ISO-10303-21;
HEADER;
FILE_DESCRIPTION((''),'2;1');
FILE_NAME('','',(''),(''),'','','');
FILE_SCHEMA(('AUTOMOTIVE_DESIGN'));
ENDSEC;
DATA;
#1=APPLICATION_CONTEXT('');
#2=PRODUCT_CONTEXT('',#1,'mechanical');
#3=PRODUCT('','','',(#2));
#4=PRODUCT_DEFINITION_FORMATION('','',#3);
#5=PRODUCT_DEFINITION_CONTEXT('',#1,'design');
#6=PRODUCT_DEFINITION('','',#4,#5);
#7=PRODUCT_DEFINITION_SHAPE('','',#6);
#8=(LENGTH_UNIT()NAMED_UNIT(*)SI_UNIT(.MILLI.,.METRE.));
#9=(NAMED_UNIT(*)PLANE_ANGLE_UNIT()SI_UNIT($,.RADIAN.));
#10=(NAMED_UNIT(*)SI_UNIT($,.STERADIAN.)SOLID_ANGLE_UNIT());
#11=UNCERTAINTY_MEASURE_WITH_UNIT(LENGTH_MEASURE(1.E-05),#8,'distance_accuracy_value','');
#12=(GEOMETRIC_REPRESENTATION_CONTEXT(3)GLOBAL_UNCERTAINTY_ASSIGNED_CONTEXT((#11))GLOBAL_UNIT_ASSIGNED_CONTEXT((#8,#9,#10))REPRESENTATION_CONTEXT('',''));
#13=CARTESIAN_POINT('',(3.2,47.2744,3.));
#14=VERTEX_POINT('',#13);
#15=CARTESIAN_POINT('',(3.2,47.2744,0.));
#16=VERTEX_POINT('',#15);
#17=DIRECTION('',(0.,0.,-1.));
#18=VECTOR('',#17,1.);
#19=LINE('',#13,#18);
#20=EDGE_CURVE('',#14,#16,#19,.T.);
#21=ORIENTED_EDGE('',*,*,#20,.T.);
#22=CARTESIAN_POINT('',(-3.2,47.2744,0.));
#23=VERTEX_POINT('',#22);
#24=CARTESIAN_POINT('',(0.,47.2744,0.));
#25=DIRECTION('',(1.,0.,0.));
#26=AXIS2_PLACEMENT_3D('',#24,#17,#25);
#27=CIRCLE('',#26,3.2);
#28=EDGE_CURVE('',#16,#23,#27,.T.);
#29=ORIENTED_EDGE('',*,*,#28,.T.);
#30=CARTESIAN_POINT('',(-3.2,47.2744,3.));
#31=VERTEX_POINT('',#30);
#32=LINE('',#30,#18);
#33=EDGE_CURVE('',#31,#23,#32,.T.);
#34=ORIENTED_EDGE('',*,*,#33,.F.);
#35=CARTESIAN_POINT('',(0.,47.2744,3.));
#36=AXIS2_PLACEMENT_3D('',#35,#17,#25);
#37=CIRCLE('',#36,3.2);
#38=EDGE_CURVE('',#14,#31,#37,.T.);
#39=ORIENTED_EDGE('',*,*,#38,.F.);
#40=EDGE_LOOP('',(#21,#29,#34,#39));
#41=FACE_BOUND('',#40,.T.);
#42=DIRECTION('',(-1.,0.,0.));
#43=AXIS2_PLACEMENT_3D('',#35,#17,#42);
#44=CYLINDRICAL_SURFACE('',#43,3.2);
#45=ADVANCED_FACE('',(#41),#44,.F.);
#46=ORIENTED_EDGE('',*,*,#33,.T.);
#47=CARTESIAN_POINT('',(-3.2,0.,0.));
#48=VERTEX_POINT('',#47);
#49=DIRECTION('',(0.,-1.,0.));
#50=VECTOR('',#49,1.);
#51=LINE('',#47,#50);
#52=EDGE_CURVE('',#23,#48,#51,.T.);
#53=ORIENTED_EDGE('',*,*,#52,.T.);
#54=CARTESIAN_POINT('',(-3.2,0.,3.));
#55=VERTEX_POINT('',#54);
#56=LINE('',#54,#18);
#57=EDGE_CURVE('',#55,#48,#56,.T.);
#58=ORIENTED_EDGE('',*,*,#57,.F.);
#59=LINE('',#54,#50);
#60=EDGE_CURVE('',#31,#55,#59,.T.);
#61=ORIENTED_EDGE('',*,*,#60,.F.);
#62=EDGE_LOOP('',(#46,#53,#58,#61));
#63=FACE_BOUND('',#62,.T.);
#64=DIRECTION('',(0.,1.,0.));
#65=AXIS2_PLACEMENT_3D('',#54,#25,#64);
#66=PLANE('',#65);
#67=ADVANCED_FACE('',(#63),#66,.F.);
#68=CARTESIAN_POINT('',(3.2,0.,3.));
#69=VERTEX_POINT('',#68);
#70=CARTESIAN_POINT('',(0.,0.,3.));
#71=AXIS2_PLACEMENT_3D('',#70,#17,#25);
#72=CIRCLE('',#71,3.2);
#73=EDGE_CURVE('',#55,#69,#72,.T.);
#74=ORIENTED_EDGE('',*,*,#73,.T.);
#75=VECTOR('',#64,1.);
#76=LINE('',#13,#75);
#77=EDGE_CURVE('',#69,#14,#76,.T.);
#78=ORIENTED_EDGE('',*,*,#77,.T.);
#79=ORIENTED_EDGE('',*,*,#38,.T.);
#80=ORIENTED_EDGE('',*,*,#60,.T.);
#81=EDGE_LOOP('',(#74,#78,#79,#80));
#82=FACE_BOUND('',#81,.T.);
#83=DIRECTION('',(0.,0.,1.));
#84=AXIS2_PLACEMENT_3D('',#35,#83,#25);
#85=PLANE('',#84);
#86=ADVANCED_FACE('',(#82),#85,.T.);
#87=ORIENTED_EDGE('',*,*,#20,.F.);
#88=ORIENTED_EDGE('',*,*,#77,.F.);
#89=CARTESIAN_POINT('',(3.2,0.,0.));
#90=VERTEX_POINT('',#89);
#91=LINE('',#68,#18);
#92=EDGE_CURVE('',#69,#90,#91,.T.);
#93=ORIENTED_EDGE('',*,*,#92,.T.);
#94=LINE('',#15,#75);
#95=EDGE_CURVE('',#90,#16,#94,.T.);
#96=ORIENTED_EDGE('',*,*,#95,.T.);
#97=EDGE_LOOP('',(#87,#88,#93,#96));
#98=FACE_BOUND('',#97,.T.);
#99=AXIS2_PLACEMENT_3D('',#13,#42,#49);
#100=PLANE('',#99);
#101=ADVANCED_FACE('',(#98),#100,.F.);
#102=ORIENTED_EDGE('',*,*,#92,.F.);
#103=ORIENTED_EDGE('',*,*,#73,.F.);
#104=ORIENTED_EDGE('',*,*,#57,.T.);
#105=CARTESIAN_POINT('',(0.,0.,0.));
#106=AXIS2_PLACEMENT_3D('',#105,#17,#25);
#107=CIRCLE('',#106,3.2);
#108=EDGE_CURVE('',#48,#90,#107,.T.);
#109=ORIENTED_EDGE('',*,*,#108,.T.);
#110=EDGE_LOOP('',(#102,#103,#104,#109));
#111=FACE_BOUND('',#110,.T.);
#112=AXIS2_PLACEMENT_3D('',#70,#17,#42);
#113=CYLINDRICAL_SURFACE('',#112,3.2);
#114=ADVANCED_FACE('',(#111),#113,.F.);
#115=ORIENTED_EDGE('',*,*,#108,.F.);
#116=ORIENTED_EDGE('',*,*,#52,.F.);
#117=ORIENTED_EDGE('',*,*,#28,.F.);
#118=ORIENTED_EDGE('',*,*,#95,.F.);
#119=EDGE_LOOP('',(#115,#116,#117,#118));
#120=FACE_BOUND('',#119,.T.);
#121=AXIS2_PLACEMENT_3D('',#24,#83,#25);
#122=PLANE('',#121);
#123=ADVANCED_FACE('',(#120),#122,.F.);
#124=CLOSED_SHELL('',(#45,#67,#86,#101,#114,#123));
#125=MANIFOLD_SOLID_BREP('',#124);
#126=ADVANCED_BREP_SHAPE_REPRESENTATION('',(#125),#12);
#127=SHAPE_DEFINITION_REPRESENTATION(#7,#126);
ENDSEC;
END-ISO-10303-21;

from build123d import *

# Parameters (mm, degrees)
BOSS_EXTRUDE3_DEPTH = 3


with BuildPart() as part:
    # Sketch1 → Boss-Extrude3 (new body)
    with BuildSketch(Plane.XY):
        with BuildLine():
            Line((-3.2, 0), (-3.2, 47.2744))
            ThreePointArc((-3.2, 47.2744), (0, 44.0744), (3.2, 47.2744))
            Line((3.2, 47.2744), (3.2, 0))
            ThreePointArc((3.2, 0), (0, 3.2), (-3.2, 0))
        make_face()
    extrude(amount=BOSS_EXTRUDE3_DEPTH)


solid = part.part
